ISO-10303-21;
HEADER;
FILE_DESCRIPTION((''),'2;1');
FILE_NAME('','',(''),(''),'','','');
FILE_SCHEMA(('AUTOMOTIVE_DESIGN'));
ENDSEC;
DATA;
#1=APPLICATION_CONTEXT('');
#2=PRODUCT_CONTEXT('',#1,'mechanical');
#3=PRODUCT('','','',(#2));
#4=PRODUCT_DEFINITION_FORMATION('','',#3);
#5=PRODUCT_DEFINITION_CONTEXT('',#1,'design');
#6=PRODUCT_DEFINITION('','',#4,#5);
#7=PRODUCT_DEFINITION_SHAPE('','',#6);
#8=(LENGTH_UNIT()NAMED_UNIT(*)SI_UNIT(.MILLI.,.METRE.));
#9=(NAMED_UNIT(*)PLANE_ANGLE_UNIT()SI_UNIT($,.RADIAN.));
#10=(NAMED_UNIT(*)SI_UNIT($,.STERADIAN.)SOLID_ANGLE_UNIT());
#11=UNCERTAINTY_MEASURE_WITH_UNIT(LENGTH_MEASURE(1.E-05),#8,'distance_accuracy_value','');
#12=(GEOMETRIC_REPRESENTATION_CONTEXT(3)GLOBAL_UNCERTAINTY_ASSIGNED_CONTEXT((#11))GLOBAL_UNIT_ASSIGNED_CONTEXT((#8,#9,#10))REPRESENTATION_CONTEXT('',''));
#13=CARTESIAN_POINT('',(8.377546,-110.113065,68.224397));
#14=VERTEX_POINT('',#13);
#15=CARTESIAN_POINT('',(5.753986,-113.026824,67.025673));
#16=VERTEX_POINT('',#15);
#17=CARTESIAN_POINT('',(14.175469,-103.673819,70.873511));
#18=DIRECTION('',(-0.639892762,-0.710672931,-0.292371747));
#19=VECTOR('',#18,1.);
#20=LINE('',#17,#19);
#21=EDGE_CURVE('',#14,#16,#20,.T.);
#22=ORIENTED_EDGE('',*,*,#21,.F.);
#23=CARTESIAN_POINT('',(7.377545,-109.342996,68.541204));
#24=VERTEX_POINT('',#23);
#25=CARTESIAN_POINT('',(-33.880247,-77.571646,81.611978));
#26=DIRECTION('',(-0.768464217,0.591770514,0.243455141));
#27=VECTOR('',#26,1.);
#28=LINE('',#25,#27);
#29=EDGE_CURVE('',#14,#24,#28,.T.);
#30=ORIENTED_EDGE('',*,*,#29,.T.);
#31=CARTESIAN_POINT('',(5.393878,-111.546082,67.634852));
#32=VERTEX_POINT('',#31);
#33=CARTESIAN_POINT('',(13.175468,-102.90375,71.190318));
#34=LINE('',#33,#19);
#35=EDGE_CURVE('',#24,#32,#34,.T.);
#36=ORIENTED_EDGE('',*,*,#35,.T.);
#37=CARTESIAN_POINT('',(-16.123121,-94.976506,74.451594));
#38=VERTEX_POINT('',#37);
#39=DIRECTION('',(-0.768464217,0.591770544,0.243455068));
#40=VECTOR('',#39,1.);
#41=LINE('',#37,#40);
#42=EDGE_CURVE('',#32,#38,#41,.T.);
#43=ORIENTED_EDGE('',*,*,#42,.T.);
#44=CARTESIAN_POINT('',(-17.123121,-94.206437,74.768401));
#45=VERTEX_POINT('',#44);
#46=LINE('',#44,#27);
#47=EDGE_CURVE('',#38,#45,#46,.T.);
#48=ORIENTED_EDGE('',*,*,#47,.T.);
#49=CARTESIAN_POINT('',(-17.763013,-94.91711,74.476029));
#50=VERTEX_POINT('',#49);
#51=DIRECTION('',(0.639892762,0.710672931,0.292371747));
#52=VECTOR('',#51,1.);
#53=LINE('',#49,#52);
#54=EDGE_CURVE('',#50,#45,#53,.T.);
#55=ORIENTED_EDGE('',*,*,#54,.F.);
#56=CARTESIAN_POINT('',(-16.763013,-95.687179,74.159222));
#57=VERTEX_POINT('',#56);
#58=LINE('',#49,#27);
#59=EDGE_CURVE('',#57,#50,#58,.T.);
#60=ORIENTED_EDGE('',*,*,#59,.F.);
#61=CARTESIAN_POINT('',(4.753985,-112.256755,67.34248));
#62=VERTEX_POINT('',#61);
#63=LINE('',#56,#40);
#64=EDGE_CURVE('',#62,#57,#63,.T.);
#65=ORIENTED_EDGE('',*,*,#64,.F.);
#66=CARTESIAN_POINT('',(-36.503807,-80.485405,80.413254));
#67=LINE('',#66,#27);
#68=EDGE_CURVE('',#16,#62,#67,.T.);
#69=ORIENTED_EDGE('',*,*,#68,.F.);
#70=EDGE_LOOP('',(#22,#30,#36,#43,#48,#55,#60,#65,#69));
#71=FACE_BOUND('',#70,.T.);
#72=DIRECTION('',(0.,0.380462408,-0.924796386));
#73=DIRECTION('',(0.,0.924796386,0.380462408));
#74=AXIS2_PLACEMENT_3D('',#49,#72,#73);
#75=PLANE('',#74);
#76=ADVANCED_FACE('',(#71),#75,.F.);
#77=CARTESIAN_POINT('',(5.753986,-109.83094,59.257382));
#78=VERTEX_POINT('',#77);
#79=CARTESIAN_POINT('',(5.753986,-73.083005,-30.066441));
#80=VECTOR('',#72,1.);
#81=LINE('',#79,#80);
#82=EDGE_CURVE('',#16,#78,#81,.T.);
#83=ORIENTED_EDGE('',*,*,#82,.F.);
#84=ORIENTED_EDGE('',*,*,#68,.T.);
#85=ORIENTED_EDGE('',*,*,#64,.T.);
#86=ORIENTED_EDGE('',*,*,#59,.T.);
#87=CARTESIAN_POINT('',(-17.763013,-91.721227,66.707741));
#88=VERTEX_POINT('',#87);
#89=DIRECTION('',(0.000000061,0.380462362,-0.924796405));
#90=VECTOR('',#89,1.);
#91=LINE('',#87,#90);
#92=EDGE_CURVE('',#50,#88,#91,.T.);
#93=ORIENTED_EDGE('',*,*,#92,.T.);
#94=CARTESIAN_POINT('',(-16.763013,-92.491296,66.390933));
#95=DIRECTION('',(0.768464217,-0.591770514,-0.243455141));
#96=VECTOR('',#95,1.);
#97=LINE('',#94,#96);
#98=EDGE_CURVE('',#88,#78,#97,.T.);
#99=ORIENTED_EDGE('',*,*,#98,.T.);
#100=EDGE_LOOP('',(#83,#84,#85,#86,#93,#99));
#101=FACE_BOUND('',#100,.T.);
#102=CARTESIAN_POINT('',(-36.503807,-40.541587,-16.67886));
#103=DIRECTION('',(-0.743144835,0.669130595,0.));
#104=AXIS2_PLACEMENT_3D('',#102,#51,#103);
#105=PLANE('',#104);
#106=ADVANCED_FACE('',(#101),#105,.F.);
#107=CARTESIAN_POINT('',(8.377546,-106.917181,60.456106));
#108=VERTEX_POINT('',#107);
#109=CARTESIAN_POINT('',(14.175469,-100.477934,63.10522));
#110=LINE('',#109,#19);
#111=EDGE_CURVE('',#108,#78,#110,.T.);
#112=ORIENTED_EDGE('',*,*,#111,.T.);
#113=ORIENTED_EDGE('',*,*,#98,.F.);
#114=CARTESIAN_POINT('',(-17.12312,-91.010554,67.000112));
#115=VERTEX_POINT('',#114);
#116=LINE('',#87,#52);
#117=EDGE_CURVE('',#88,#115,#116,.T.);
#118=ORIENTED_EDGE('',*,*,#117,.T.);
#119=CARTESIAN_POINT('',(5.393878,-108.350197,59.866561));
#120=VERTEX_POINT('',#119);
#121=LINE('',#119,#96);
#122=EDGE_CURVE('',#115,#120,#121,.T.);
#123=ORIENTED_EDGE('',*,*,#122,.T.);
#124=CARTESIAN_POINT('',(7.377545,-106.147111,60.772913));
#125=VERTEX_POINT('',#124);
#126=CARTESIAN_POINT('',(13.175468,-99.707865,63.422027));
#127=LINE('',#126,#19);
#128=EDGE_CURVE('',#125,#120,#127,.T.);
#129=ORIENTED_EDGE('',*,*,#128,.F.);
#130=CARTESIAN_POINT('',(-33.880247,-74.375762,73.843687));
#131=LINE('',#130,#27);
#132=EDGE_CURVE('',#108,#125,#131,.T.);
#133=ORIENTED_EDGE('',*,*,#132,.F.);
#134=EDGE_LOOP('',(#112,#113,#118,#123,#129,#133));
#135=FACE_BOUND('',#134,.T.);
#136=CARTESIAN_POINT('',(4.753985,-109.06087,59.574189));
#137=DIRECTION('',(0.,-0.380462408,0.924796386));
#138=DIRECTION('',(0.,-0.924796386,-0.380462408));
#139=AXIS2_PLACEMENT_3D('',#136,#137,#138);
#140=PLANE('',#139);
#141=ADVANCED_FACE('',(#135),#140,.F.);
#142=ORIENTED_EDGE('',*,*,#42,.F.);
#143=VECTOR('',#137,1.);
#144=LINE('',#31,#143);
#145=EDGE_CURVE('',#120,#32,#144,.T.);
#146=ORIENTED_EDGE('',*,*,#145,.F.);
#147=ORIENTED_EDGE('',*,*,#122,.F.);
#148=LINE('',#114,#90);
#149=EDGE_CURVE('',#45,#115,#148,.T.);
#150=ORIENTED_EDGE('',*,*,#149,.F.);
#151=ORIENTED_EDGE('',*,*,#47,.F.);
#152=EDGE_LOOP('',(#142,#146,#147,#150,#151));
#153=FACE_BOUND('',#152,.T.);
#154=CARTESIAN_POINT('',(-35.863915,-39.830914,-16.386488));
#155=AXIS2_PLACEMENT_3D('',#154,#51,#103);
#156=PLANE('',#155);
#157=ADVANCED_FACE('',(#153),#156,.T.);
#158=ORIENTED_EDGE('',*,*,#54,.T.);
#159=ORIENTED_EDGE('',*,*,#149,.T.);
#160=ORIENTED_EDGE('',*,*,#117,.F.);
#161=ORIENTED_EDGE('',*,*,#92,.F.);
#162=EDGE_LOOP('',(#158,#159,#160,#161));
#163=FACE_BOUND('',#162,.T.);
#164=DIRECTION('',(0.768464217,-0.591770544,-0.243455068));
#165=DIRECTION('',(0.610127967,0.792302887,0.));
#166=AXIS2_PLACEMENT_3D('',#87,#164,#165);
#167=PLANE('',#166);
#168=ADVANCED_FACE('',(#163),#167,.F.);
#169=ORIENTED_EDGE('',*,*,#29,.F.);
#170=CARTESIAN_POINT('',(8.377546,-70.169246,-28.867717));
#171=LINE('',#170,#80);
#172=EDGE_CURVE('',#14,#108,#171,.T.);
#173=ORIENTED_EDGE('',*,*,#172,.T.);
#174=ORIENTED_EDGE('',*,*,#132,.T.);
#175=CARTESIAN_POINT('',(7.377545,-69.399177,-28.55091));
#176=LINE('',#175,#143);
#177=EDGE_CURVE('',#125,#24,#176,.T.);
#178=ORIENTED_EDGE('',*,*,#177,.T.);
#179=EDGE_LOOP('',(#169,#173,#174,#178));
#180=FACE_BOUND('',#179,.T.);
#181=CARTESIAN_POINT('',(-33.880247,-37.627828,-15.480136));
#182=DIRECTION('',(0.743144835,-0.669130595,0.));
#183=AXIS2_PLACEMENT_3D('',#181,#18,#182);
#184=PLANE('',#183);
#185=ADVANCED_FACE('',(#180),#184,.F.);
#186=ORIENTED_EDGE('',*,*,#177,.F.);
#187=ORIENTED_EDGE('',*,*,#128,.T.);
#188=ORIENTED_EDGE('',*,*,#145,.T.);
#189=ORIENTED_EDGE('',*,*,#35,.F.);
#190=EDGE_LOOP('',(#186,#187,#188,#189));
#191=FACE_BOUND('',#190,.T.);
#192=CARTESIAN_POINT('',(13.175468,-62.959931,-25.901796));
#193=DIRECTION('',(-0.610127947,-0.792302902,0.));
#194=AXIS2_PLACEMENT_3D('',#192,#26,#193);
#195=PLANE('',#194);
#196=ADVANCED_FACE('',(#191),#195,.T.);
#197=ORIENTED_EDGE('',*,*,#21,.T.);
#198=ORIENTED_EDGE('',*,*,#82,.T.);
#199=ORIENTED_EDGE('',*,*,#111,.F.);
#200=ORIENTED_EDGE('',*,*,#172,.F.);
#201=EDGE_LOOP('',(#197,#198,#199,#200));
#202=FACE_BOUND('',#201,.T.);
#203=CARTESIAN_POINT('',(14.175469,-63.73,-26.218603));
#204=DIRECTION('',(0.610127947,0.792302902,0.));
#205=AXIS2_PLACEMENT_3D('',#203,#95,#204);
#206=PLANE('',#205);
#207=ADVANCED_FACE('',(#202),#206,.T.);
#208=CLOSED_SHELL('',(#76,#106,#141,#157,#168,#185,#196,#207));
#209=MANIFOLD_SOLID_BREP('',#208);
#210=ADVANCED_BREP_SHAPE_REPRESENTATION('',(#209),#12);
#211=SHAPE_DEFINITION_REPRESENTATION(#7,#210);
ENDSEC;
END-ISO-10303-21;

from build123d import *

# Parameters (mm, degrees)
SALIENTE_EXTRUIR1_START = 3.1
SALIENTE_EXTRUIR1_DEPTH = 1
SALIENTE_EXTRUIR2_START = -1
CROQUIS4_W              = 1.301297423
CROQUIS4_H              = 8.40000117
SALIENTE_EXTRUIR2_DEPTH = 4.1


with BuildPart() as part:
    # Croquis3 → Saliente-Extruir1 (new body)
    with BuildSketch(Plane(origin=(-33.880247059, -37.627827516, -15.480136045), x_dir=(-0.768464217, 0.591770514, 0.243455141), z_dir=(-0.639892762, -0.710672931, -0.292371747)).offset(SALIENTE_EXTRUIR1_START)):
        Polygon((-24.387334523, -104.987555147), (-25.688631315, -104.987555147), (-53.688631947, -104.987557356), (-53.688631947, -96.587556289), (-25.688631947, -96.587556289), (-24.387335186, -96.587556289), align=None)
    extrude(amount=SALIENTE_EXTRUIR1_DEPTH)

    # Croquis4 → Saliente-Extruir2 (add)
    with BuildSketch(Plane(origin=(-35.863914621, -39.830913602, -16.38648846), x_dir=(0.768464217, -0.591770514, -0.243455141), z_dir=(0.639892762, 0.710672931, 0.292371747)).offset(SALIENTE_EXTRUIR2_START)):
        with Locations((54.339280659, -100.787556874)):
            Rectangle(CROQUIS4_W, CROQUIS4_H)
    extrude(amount=SALIENTE_EXTRUIR2_DEPTH)


solid = part.part
